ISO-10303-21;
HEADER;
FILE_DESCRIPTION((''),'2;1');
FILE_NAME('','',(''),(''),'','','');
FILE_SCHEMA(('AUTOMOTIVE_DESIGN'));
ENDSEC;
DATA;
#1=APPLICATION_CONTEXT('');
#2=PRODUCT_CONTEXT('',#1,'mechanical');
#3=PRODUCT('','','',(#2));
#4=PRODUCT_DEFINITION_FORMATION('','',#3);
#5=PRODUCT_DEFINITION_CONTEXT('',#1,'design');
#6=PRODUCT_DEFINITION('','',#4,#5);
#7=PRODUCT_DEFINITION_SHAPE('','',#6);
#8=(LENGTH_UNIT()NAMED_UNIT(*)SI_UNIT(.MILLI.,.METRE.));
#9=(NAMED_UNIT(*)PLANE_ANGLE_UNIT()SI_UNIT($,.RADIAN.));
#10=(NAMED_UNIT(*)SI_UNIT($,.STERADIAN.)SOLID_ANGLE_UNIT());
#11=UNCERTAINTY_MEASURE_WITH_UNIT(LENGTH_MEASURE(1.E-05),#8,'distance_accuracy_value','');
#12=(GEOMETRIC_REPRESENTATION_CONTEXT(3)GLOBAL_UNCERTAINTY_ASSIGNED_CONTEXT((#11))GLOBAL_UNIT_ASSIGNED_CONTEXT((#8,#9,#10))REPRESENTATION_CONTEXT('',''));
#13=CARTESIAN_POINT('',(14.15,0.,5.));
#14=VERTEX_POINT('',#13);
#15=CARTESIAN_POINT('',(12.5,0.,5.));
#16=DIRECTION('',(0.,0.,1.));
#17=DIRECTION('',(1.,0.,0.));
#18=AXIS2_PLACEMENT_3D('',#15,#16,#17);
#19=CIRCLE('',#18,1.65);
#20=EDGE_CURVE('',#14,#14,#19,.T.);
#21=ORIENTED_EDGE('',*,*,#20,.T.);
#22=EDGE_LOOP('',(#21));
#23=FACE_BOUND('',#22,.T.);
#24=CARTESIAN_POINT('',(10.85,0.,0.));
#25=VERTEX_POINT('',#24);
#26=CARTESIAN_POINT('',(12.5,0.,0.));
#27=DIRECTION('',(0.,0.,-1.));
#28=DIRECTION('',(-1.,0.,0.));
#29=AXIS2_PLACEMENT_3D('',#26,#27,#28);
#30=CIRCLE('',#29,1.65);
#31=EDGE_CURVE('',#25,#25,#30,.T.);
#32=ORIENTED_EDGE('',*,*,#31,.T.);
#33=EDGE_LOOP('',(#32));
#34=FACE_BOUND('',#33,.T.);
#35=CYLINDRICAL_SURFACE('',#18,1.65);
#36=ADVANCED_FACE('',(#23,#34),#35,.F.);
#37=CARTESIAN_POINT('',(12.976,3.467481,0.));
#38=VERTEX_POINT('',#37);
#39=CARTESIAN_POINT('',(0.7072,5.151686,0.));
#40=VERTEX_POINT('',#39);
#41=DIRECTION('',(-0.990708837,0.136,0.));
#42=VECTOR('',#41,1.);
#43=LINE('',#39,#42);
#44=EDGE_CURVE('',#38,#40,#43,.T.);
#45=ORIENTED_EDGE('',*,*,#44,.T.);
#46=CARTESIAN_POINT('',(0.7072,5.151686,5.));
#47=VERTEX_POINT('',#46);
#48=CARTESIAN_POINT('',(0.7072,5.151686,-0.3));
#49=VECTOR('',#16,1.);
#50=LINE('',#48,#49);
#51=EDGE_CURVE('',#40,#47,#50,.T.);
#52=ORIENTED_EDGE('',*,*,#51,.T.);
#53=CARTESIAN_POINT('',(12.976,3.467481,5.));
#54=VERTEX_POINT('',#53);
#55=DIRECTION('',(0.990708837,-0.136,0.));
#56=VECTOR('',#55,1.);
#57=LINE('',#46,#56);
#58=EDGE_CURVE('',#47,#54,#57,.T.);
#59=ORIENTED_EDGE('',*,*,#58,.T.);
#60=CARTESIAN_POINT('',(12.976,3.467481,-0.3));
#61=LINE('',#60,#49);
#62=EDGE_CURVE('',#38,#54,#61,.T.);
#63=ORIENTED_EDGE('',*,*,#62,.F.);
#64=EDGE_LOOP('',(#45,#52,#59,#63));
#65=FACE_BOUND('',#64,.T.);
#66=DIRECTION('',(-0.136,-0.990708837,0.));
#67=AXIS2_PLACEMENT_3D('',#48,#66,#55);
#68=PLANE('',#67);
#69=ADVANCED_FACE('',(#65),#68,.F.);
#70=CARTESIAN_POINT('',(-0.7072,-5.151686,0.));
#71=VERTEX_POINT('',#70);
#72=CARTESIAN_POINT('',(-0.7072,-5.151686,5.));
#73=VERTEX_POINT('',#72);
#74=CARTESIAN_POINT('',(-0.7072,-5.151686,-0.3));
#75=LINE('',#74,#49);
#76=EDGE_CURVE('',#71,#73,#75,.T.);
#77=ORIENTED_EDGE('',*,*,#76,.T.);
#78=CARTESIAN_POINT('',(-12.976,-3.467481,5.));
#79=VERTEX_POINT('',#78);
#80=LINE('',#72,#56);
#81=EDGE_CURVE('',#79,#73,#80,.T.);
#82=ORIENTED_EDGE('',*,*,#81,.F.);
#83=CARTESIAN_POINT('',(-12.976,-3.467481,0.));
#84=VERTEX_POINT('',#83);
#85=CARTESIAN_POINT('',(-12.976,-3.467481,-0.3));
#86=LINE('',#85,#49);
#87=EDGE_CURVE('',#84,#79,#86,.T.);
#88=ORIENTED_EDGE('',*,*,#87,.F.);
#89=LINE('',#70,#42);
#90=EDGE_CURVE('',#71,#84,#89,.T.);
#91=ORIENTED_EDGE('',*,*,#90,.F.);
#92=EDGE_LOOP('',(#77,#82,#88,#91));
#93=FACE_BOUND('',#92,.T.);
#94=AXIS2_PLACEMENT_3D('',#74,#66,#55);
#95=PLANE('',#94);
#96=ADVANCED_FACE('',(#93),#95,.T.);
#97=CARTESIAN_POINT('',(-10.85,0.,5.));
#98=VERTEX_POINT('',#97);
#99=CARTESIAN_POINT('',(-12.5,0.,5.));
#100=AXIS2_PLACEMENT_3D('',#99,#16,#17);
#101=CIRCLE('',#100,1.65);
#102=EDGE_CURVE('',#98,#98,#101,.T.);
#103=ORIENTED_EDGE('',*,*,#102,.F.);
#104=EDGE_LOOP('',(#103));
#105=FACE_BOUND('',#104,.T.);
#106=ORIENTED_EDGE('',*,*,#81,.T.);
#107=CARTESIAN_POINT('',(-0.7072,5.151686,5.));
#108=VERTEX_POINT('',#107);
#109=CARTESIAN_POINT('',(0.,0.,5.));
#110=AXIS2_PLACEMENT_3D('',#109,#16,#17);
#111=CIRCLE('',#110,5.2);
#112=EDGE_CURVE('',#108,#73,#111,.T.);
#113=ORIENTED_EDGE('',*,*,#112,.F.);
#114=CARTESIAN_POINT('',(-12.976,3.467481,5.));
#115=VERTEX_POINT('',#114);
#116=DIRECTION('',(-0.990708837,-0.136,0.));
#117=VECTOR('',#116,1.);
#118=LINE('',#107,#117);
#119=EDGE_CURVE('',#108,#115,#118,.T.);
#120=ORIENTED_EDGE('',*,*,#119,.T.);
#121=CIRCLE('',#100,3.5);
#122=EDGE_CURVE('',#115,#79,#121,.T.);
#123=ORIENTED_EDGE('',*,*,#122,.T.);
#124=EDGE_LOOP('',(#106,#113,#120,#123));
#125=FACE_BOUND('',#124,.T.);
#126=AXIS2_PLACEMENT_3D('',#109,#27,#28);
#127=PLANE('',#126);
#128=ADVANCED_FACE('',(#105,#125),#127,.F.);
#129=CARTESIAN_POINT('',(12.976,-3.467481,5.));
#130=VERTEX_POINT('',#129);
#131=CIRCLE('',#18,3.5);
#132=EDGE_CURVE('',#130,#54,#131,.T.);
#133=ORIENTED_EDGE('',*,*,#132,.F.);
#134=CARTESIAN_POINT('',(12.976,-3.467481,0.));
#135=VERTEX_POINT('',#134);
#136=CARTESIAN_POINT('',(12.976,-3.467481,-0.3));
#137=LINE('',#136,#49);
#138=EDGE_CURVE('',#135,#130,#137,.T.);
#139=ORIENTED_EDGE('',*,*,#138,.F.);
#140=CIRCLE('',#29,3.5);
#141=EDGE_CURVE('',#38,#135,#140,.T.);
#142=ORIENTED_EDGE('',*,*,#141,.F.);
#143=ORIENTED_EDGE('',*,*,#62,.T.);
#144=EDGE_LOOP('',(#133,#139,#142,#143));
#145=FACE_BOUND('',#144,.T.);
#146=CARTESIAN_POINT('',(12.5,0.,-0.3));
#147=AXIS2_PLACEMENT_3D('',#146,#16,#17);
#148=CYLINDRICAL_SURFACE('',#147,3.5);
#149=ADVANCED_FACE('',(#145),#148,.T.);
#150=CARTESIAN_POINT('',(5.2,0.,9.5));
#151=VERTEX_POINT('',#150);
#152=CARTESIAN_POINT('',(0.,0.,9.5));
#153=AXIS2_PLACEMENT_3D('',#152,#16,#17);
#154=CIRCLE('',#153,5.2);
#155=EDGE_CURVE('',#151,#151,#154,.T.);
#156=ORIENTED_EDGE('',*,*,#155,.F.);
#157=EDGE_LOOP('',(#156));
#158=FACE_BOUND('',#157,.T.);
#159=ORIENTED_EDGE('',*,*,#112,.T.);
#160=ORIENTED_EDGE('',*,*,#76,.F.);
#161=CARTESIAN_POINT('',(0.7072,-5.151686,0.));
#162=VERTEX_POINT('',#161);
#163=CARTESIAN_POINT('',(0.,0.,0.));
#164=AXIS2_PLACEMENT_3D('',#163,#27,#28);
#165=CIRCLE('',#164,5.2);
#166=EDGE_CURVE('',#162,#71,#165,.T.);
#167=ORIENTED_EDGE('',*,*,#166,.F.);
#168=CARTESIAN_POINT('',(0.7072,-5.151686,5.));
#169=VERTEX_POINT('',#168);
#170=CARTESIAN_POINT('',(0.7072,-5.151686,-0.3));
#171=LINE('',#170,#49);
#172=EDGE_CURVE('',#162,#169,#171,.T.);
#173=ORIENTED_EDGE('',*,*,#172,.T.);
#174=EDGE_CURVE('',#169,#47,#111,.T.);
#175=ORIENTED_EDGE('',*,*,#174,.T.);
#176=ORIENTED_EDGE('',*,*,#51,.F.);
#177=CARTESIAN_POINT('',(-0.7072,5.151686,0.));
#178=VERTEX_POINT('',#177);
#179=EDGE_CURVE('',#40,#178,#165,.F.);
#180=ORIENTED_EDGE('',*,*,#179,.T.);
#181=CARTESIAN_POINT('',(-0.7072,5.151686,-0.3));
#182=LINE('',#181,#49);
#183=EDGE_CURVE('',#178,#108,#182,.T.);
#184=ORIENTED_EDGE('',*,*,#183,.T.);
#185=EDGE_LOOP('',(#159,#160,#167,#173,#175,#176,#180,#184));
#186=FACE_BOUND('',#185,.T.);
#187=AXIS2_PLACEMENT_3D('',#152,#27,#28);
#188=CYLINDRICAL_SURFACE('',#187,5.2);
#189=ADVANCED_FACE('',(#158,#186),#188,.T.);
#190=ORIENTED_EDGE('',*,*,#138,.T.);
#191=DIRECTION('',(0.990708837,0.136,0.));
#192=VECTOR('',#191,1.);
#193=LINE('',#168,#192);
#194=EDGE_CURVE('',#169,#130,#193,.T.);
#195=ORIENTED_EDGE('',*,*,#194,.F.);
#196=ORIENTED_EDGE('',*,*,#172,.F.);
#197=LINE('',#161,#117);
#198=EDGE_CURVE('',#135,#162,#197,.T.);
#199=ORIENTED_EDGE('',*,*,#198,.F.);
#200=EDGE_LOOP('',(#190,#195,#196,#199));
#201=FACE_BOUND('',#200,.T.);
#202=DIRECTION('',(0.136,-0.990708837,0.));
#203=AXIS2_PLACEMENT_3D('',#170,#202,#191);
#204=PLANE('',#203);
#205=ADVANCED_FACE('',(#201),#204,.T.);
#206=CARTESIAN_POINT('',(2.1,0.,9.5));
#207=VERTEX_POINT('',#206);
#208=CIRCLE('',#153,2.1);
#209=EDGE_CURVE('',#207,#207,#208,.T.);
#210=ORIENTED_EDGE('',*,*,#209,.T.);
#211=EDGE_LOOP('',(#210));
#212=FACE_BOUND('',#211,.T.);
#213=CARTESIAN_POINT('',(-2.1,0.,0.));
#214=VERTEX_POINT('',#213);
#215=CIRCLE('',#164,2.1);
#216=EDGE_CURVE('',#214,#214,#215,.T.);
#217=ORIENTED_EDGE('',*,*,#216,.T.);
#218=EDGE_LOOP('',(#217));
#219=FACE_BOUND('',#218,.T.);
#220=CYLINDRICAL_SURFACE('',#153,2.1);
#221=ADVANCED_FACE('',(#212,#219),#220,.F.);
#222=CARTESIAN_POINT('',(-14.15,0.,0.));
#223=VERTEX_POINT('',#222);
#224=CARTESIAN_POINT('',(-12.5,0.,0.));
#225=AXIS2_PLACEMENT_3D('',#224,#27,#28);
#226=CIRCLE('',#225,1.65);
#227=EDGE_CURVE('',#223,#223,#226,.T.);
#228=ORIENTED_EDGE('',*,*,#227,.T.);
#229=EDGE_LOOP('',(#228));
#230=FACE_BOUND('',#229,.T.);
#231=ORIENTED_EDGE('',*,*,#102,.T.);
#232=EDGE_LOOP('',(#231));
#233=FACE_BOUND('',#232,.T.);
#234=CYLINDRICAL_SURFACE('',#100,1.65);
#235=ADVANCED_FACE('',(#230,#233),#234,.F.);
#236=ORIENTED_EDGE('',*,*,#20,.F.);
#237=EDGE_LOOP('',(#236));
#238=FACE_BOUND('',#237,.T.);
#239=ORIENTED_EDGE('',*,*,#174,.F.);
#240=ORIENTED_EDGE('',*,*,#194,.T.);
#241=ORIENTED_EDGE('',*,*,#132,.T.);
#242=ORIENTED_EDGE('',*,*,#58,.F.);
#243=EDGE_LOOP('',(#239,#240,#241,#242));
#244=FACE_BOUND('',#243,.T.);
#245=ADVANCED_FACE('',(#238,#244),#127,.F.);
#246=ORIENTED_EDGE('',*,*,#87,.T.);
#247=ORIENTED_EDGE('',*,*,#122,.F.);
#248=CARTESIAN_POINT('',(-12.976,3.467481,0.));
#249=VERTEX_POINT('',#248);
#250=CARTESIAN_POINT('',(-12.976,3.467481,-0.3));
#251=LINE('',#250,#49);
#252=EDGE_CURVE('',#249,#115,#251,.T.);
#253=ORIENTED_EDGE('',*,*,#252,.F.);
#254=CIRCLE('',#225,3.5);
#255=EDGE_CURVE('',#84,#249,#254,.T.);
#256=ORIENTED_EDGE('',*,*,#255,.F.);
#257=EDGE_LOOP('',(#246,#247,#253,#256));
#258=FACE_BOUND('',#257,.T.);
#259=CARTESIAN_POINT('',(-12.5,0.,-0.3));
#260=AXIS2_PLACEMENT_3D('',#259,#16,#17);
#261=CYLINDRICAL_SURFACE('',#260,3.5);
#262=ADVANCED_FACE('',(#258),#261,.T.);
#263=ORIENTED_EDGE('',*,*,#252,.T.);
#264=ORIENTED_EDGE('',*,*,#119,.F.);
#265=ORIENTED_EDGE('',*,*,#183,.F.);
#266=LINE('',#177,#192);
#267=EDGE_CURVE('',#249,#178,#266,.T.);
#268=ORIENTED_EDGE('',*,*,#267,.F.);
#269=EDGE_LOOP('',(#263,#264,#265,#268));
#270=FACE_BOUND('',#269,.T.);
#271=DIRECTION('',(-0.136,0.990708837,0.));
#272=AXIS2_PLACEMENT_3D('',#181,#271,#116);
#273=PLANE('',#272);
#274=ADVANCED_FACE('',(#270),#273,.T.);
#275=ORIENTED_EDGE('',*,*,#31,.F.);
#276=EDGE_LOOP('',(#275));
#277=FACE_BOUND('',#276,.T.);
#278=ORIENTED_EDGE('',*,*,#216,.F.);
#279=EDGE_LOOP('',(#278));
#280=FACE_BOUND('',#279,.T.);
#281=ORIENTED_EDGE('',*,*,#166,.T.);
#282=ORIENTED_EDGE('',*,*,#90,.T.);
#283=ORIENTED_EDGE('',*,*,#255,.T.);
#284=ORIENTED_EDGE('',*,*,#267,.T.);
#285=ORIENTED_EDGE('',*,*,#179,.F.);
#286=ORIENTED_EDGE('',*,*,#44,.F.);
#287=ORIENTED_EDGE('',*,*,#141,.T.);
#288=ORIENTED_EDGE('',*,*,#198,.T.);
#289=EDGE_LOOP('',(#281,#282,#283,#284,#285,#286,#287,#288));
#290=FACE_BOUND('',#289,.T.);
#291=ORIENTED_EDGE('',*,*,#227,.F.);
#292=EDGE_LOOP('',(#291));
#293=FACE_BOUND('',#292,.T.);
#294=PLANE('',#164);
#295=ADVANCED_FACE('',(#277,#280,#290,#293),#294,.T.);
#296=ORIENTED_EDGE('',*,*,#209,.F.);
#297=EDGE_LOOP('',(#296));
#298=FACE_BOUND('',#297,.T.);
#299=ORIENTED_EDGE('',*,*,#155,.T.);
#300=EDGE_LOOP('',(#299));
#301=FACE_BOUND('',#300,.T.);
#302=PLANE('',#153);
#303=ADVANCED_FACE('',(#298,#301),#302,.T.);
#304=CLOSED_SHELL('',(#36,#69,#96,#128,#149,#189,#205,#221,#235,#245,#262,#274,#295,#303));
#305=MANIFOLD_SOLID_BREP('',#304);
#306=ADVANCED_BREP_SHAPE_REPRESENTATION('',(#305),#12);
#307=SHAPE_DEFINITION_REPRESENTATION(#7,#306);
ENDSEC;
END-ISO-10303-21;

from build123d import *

# Parameters (mm, degrees)
SKETCH_1_W             = 32
SKETCH_1_H             = 10.4
SKETCH_1_R             = 0.5
EXTRUDE_1_DEPTH        = 5
SKETCH_2_R             = 5.2
SKETCH_2_R_2           = 0.5
EXTRUDE_2_DEPTH        = 4.5
CUT_EXTRUDE_START      = -5.3
CUT_EXTRUDE_1_DEPTH    = 5.3
HOLE_WIZARD_M4_1_D     = 3.3
HOLE_WIZARD_M4_1_DEPTH = 10.1
HOLE_WIZARD_M4_1_TIP   = 0.991420021
HOLE_WIZARD_M5_1_D     = 4.2
HOLE_WIZARD_M5_1_DEPTH = 22.4
HOLE_WIZARD_M5_1_TIP   = 1.2618073


with BuildPart() as part:
    # 草图1 → 凸台-拉伸1 (new body)
    with BuildSketch(Plane.XY):
        Rectangle(SKETCH_1_W, SKETCH_1_H)
        with Locations((-12.5, 0)):
            Circle(SKETCH_1_R, mode=Mode.SUBTRACT)
        with Locations((12.5, 0)):
            Circle(SKETCH_1_R, mode=Mode.SUBTRACT)
        Circle(SKETCH_1_R, mode=Mode.SUBTRACT)
    extrude(amount=EXTRUDE_1_DEPTH)

    # 草图2 → 凸台-拉伸2 (add)
    with BuildSketch(Plane.XY.offset(5)):
        with Locations(Location((0, 0, 0), (0, 0, 270))):
            Circle(SKETCH_2_R)
        Circle(SKETCH_2_R_2, mode=Mode.SUBTRACT)
    extrude(amount=EXTRUDE_2_DEPTH)

    # 草图3 → 切除-拉伸1 (cut)
    with BuildSketch(Plane.XY.offset(5).offset(CUT_EXTRUDE_START)):
        with BuildLine():
            Line((-12.976, 3.46748093), (-0.7072, 5.151685953))
            ThreePointArc((-0.7072, 5.151685953), (-0.354424212, 5.187907428), (0, 5.2))
            Line((0, 5.2), (-16, 5.2))
            Line((-16, 5.2), (-16, 0))
            ThreePointArc((-16, 0), (-15.137802115, 2.300434742), (-12.976, 3.46748093))
        make_face()
        with BuildLine():
            ThreePointArc((0, -5.2), (-0.354424212, -5.187907428), (-0.7072, -5.151685953))
            Line((-0.7072, -5.151685953), (-12.976, -3.46748093))
            ThreePointArc((-12.976, -3.46748093), (-15.137802115, -2.300434742), (-16, 0))
            Line((-16, 0), (-16, -5.2))
            Line((-16, -5.2), (0, -5.2))
        make_face()
        with BuildLine():
            ThreePointArc((0.7072, -5.151685953), (0.354424212, -5.187907428), (0, -5.2))
            Line((0, -5.2), (16, -5.2))
            Line((16, -5.2), (16, 0))
            ThreePointArc((16, 0), (15.137802115, -2.300434742), (12.976, -3.46748093))
            Line((12.976, -3.46748093), (0.7072, -5.151685953))
        make_face()
        with BuildLine():
            Line((16, 5.2), (0, 5.2))
            ThreePointArc((0, 5.2), (0.354424212, 5.187907428), (0.7072, 5.151685953))
            Line((0.7072, 5.151685953), (12.976, 3.46748093))
            ThreePointArc((12.976, 3.46748093), (15.137802115, 2.300434742), (16, 0))
            Line((16, 0), (16, 5.2))
        make_face()
    extrude(amount=CUT_EXTRUDE_1_DEPTH, mode=Mode.SUBTRACT)

    # M4 螺纹孔1
    with Locations(Plane.XY.offset(5)):
        with Locations((-12.5, 0), (12.5, 0)):
            Hole(HOLE_WIZARD_M4_1_D / 2, depth=HOLE_WIZARD_M4_1_DEPTH)
            with Locations((0, 0, -(HOLE_WIZARD_M4_1_DEPTH + HOLE_WIZARD_M4_1_TIP / 2))):  # 118° drill point
                Cone(0, HOLE_WIZARD_M4_1_D / 2, HOLE_WIZARD_M4_1_TIP, mode=Mode.SUBTRACT)

    # M5 螺纹孔1
    with Locations(Plane.XY.offset(9.5)):
        with Locations((0, 0)):
            Hole(HOLE_WIZARD_M5_1_D / 2, depth=HOLE_WIZARD_M5_1_DEPTH)
            with Locations((0, 0, -(HOLE_WIZARD_M5_1_DEPTH + HOLE_WIZARD_M5_1_TIP / 2))):  # 118° drill point
                Cone(0, HOLE_WIZARD_M5_1_D / 2, HOLE_WIZARD_M5_1_TIP, mode=Mode.SUBTRACT)


solid = part.part
